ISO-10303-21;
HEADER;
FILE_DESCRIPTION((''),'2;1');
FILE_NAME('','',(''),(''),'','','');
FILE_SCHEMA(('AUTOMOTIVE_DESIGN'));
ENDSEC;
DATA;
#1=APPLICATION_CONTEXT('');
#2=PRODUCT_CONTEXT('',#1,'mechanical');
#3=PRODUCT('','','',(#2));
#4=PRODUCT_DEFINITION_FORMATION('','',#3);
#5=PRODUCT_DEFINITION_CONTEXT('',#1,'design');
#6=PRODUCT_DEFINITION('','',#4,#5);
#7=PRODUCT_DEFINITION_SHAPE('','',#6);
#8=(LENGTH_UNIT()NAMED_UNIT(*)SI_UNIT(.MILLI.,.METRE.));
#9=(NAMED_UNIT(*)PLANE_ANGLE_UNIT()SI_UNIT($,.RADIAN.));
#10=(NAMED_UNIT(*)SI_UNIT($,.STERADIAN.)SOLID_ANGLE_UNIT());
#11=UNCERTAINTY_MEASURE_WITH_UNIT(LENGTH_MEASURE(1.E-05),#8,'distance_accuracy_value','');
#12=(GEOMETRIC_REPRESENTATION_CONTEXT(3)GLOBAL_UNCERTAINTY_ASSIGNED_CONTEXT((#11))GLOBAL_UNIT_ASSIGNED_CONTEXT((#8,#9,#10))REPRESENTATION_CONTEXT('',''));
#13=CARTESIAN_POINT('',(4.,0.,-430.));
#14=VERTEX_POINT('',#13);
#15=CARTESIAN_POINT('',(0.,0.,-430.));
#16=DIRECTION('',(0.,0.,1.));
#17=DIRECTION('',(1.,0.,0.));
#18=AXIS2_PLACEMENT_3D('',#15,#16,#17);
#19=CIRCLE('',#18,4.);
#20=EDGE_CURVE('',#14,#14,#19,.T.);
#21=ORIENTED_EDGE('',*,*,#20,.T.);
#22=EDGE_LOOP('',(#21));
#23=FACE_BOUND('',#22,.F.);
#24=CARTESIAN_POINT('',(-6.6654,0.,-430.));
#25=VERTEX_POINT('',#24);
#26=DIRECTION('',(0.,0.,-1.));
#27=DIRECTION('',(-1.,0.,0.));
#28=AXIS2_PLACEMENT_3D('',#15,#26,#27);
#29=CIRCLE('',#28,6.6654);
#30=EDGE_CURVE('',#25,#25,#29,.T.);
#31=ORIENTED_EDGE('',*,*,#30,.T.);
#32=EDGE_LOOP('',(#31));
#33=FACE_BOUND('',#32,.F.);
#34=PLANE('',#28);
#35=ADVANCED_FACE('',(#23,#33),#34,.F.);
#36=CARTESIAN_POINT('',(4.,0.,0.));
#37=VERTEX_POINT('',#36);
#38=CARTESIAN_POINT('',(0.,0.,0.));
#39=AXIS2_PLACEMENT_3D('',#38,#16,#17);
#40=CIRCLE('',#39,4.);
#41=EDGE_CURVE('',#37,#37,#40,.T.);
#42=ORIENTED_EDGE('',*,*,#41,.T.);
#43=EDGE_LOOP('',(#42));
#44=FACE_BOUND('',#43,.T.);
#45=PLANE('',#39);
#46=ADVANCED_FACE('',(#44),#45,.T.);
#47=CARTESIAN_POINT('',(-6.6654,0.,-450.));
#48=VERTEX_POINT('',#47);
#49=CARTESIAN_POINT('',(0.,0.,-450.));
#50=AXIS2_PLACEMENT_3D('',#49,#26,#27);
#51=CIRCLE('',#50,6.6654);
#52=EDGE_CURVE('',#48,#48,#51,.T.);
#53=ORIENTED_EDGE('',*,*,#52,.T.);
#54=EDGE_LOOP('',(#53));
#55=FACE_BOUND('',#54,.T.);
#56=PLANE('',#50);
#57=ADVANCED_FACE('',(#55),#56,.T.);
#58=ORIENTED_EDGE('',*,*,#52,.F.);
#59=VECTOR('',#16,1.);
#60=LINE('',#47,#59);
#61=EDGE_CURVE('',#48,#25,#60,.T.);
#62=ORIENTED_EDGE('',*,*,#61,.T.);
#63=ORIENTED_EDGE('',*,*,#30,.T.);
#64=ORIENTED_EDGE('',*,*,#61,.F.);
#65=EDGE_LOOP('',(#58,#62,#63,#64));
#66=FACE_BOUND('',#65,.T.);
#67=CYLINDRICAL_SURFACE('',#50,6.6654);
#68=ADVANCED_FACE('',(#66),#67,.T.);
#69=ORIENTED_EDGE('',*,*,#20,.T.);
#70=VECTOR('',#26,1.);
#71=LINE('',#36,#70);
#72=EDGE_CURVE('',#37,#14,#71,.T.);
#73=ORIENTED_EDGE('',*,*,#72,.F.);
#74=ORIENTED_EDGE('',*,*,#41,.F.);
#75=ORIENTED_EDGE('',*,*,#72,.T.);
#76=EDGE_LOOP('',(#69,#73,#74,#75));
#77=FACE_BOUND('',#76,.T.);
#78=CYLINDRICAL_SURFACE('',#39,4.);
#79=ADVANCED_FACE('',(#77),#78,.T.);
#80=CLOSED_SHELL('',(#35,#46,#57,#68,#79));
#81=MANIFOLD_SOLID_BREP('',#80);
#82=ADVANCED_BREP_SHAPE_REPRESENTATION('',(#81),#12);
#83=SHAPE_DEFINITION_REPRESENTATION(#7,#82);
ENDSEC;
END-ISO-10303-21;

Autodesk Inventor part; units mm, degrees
ref_plane "YZ Plane" through (0, 0, 0) normal (1, 0, 0) x (0, 1, 0)
ref_plane "XZ Plane" through (0, 0, 0) normal (0, 1, 0) x (-1, 0, 0)
ref_plane "XY Plane" through (0, 0, 0) normal (0, 0, 1) x (1, 0, 0)
sketch "Sketch1" plane through (0, 0, 0) normal (0, 0, 1) x (1, 0, 0)
  circle A0 centre (0, 0) radius 4
  dimension "d0" = 8
extrude "Extrusion1" add sketch "Sketch1" against normal blind 450
sketch "Sketch3" plane through (0, 0, -450) normal (0, 0, -1) x (-1, 0, 0)
  circle A0 centre (0, 0) radius 6.6654
extrude "Extrusion2" add sketch "Sketch3" against normal blind 20
properties part number "balanceRod"
